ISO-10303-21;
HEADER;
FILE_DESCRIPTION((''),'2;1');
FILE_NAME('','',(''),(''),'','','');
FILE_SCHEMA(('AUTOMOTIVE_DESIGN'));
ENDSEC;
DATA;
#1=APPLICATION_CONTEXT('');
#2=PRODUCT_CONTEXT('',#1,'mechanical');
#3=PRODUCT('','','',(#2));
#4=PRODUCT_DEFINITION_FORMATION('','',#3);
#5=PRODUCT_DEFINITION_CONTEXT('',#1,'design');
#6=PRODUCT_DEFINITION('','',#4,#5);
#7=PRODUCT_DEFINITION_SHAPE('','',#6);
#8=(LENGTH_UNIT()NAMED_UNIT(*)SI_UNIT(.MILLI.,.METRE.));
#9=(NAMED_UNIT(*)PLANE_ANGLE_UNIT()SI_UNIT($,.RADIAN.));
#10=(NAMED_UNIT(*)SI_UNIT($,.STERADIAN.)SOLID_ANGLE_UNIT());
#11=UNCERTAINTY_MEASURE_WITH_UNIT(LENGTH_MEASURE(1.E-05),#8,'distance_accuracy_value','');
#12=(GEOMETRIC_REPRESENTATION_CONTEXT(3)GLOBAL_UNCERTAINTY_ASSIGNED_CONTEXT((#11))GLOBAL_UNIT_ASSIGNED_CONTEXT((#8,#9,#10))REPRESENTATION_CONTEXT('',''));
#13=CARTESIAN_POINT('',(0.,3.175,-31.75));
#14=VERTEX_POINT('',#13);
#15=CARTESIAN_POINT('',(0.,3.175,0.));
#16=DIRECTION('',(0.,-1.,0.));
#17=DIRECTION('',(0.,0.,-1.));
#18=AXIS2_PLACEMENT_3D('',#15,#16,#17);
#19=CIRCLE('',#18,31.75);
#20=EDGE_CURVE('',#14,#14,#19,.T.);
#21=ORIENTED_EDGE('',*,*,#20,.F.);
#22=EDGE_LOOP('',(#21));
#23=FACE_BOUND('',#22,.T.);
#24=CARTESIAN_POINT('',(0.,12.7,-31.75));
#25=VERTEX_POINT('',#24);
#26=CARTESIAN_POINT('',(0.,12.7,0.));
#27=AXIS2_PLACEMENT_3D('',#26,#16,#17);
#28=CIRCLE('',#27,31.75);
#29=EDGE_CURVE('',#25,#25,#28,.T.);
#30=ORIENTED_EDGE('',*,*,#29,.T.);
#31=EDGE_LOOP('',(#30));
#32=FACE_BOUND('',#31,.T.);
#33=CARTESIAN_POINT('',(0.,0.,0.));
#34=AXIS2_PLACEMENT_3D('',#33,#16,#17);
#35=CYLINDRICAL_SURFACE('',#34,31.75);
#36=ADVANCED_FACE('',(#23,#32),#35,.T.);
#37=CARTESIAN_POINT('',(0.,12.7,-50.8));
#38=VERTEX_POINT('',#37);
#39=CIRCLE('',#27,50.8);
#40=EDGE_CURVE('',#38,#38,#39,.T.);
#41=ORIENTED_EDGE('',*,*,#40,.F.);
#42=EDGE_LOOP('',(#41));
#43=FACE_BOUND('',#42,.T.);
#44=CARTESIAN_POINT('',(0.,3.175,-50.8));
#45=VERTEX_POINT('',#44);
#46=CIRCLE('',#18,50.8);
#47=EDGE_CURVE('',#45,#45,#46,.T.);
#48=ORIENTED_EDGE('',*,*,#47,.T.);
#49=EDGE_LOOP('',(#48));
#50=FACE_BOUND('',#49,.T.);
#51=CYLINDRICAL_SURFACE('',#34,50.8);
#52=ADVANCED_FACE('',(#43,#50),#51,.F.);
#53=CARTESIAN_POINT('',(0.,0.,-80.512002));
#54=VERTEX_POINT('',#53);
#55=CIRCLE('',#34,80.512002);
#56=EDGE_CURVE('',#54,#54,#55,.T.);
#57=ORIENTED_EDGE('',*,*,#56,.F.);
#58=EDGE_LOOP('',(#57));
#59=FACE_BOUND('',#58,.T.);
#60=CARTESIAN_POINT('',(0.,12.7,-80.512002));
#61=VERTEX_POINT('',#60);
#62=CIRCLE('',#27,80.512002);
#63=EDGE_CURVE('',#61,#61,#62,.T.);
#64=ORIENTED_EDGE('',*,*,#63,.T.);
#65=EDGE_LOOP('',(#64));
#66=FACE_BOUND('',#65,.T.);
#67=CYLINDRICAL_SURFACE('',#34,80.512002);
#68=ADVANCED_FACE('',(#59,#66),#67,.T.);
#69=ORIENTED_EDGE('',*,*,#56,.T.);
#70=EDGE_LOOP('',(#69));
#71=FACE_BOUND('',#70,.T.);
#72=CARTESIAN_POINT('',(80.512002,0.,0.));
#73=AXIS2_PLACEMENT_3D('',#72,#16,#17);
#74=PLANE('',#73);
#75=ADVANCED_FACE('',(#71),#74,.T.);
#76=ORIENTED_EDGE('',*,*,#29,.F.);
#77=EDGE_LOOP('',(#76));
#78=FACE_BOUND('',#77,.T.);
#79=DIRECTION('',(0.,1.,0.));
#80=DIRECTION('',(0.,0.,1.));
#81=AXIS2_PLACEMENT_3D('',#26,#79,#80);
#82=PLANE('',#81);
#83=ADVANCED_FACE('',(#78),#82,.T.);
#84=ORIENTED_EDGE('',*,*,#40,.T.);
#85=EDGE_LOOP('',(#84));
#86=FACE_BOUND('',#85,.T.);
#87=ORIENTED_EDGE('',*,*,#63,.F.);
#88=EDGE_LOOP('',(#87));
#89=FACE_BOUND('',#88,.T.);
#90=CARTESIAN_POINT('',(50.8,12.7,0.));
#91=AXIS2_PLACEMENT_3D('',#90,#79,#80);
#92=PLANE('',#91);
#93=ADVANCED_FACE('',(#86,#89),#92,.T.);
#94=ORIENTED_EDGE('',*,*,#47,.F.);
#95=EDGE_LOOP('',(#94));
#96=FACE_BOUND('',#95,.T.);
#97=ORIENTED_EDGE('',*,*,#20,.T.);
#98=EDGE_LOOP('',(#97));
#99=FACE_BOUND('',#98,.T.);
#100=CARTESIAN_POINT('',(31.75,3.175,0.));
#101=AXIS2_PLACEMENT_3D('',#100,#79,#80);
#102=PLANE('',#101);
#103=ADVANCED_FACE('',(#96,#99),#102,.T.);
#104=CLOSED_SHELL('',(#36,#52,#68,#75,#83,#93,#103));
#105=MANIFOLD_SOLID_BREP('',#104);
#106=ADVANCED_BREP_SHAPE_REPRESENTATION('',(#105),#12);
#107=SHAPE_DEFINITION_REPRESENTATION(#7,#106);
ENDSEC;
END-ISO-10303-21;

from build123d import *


with BuildPart() as part:
    # Sketch1 → Revolve1 (revolve)
    with BuildSketch(Plane.XY, mode=Mode.PRIVATE) as revolve1_sk:
        Polygon((0, 0), (0, 12.7), (31.75, 12.7), (31.75, 3.175), (50.8, 3.175), (50.8, 12.7), (80.512002317, 12.7), (80.512002317, 0), align=None)
    revolve(revolve1_sk.sketch.rotate(Axis((0, 0, 0), (0, 1, 0)), 90), axis=Axis((0, 0, 0), (0, 1, 0)))


solid = part.part
